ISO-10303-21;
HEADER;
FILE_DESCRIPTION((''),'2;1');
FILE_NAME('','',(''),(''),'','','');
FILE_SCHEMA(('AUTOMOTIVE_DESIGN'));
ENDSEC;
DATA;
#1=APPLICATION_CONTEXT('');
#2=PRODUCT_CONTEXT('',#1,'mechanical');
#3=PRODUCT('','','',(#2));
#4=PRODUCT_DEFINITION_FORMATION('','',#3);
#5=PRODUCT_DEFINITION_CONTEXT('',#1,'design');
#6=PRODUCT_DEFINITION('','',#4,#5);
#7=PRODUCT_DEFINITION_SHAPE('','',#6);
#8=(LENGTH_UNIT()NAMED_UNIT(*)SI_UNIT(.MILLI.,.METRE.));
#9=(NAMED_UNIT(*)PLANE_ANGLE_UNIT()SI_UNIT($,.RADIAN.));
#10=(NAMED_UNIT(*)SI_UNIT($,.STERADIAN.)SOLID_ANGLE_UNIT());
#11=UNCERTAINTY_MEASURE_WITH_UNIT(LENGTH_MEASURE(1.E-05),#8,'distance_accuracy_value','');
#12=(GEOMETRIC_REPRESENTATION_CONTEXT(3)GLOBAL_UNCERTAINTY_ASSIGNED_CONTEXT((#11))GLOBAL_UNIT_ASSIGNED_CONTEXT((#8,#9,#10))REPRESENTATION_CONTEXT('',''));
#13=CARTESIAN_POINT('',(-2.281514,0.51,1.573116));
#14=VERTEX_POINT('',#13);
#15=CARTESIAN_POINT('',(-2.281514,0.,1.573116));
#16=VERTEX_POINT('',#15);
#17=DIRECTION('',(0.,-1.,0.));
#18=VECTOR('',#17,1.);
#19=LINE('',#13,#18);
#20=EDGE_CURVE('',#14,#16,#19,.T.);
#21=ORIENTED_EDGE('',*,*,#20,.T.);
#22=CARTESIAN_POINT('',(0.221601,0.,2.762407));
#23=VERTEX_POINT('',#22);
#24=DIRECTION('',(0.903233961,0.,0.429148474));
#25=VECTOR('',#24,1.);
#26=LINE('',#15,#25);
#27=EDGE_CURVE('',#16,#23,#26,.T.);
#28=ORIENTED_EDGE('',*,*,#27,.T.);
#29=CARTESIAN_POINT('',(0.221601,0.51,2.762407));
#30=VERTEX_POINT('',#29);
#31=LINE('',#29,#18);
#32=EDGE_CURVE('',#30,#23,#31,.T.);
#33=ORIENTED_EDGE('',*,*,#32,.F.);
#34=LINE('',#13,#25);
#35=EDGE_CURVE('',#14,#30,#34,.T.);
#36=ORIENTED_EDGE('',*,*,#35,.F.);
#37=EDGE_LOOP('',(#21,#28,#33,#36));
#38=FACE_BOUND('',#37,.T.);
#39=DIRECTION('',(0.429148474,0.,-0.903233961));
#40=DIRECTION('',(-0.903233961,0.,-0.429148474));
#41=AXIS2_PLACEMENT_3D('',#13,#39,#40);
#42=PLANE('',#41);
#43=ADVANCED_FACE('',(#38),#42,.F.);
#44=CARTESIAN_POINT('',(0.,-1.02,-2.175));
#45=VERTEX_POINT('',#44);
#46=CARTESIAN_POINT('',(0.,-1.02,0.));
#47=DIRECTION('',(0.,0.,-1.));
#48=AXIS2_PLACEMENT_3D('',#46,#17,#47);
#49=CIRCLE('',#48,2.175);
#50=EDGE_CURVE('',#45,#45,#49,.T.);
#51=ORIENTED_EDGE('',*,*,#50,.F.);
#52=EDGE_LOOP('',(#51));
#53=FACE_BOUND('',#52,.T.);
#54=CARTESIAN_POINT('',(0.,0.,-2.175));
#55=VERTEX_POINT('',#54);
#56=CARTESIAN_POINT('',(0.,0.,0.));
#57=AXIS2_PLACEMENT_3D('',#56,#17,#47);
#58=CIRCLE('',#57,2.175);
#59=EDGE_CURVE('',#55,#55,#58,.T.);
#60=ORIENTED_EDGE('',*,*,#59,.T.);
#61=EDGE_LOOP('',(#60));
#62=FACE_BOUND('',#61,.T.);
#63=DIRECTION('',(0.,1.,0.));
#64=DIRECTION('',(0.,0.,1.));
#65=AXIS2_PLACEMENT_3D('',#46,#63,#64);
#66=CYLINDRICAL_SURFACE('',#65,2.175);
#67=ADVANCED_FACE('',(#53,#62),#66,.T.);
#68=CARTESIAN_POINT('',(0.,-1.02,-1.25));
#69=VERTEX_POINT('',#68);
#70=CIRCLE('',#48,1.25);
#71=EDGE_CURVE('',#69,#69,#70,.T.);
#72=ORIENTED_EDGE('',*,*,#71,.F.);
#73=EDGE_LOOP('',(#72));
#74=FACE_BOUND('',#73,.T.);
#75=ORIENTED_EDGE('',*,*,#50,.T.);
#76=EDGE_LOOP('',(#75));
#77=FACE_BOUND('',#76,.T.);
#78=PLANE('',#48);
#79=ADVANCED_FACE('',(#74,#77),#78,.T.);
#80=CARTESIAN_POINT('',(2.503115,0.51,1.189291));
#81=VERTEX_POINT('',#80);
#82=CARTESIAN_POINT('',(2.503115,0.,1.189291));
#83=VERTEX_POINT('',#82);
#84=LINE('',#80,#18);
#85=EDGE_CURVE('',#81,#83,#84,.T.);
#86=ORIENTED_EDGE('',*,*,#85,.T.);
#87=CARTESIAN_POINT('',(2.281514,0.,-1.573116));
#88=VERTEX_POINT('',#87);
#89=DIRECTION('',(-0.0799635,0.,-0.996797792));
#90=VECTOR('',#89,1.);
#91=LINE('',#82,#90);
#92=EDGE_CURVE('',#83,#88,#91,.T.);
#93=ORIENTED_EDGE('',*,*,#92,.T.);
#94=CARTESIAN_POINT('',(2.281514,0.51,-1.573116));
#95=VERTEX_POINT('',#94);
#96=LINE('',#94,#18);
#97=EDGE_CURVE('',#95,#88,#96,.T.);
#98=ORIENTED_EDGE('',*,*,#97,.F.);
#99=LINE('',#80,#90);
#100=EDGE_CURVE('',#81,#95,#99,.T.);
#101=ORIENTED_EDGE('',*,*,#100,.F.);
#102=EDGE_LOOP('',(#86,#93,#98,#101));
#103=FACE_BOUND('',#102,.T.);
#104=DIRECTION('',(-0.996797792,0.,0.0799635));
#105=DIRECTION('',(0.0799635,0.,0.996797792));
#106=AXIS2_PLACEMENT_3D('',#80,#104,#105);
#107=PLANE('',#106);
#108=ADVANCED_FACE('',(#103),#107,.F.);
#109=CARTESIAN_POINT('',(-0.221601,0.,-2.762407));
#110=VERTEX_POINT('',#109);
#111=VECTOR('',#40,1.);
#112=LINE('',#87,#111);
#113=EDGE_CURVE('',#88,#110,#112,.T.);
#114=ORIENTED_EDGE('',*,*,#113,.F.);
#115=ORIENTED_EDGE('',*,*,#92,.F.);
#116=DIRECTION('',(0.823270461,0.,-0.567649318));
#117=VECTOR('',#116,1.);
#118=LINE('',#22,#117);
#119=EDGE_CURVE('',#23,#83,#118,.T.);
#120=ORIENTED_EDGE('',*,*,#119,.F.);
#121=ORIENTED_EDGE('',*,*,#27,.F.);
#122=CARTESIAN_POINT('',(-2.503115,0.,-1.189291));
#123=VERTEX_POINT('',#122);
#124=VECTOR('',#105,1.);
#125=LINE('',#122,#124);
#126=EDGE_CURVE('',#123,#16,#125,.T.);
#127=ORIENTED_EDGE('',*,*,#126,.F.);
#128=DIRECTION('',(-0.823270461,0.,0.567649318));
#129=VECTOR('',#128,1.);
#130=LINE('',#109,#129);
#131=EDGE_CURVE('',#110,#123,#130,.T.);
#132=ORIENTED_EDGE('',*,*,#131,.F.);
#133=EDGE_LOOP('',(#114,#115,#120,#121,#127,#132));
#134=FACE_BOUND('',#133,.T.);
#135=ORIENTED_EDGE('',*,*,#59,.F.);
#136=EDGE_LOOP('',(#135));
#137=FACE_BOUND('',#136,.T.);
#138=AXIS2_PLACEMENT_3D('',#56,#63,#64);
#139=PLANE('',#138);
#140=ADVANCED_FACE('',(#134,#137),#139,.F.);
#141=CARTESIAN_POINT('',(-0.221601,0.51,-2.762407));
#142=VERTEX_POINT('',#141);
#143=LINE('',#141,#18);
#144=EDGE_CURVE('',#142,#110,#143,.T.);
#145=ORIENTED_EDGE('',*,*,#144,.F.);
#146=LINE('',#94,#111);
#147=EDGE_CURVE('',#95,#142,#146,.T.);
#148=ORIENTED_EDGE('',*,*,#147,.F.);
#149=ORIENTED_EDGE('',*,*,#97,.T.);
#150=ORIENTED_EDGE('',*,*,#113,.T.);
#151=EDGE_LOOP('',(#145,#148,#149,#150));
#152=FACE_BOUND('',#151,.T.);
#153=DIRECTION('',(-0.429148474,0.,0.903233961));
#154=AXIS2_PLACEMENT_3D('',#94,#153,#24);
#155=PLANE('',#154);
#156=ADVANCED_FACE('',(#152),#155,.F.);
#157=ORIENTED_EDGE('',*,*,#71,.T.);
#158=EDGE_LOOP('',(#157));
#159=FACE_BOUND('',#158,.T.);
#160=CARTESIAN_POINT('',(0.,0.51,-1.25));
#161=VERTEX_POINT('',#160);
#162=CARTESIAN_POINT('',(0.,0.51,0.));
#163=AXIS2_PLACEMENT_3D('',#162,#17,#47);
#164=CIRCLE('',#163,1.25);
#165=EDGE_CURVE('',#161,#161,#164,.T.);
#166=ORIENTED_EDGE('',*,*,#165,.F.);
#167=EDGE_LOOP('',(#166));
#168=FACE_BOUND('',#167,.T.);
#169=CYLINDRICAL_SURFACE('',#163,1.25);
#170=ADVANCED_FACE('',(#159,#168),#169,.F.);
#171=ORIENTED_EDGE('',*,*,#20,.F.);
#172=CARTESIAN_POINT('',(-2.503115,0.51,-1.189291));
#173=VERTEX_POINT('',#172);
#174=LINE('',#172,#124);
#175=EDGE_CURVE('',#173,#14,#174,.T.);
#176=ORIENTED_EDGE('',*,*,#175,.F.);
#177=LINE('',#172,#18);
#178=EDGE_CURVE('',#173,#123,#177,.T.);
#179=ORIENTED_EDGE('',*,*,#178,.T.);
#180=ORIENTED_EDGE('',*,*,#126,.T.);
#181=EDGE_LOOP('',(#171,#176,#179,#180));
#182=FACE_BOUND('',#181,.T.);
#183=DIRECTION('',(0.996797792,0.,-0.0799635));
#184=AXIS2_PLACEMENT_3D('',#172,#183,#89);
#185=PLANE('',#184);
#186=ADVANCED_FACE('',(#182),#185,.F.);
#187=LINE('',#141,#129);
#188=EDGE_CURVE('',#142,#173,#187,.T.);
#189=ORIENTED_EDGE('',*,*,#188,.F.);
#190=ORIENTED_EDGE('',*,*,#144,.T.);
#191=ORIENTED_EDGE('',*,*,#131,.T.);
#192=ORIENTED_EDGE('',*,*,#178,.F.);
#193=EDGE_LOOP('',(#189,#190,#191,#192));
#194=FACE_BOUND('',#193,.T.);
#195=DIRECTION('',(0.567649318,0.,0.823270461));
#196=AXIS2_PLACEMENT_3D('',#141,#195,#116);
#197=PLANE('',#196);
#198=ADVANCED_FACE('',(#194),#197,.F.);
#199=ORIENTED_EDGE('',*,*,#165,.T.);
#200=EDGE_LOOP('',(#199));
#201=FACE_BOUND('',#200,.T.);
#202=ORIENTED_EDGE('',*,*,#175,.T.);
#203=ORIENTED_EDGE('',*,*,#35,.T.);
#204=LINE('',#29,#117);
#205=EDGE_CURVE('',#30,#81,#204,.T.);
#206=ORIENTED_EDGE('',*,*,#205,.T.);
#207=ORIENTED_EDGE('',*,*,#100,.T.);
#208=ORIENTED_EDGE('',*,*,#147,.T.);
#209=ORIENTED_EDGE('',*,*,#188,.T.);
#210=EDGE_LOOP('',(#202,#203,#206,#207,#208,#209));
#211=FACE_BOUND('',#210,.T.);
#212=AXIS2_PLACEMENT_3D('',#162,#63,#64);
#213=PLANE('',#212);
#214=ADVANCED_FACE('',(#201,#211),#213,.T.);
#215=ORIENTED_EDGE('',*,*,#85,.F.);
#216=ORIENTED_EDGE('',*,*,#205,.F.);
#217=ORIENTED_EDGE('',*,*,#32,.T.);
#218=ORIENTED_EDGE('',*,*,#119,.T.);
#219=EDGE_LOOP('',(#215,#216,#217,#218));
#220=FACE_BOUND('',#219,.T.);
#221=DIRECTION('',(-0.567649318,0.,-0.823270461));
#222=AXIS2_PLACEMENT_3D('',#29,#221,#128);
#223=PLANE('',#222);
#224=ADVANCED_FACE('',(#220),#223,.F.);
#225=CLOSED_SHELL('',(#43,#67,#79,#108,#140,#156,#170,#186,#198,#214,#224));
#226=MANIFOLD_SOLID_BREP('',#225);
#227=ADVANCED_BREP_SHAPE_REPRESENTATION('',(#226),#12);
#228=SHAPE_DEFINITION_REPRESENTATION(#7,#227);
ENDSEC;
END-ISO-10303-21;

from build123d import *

# Parameters (mm, degrees)
EXTRUDE_1_DEPTH     = 0.51
SKETCH_2_R          = 2.175
EXTRUDE_2_DEPTH     = 1.02
SKETCH_3_R          = 1.25
CUT_EXTRUDE_1_DEPTH = 5.029563181


with BuildPart() as part:
    # 草图1 → 凸台-拉伸1 (new body)
    with BuildSketch(Plane(origin=(0, 0, 0), x_dir=(1, 0, 0), z_dir=(0, 1, 0))):
        Polygon((2.503115377, -1.189291137), (2.281514026, 1.573115937), (-0.221601352, 2.762407074), (-2.503115377, 1.189291137), (-2.281514026, -1.573115937), (0.221601352, -2.762407074), align=None)
    extrude(amount=EXTRUDE_1_DEPTH)

    # 草图2 → 凸台-拉伸2 (add)
    with BuildSketch(Plane.XZ):
        with Locations(Location((0, 0, 0), (0, 0, 270))):
            Circle(SKETCH_2_R)
    extrude(amount=EXTRUDE_2_DEPTH)

    # 草图3 → 切除-拉伸1 (cut, through all)
    with BuildSketch(Plane(origin=(0, -1.02, 0), x_dir=(-1, 0, 0), z_dir=(0, -1, 0))):
        with Locations(Location((0, 0, 0), (0, 0, 90))):
            Circle(SKETCH_3_R)
    extrude(amount=-CUT_EXTRUDE_1_DEPTH, mode=Mode.SUBTRACT)


solid = part.part
